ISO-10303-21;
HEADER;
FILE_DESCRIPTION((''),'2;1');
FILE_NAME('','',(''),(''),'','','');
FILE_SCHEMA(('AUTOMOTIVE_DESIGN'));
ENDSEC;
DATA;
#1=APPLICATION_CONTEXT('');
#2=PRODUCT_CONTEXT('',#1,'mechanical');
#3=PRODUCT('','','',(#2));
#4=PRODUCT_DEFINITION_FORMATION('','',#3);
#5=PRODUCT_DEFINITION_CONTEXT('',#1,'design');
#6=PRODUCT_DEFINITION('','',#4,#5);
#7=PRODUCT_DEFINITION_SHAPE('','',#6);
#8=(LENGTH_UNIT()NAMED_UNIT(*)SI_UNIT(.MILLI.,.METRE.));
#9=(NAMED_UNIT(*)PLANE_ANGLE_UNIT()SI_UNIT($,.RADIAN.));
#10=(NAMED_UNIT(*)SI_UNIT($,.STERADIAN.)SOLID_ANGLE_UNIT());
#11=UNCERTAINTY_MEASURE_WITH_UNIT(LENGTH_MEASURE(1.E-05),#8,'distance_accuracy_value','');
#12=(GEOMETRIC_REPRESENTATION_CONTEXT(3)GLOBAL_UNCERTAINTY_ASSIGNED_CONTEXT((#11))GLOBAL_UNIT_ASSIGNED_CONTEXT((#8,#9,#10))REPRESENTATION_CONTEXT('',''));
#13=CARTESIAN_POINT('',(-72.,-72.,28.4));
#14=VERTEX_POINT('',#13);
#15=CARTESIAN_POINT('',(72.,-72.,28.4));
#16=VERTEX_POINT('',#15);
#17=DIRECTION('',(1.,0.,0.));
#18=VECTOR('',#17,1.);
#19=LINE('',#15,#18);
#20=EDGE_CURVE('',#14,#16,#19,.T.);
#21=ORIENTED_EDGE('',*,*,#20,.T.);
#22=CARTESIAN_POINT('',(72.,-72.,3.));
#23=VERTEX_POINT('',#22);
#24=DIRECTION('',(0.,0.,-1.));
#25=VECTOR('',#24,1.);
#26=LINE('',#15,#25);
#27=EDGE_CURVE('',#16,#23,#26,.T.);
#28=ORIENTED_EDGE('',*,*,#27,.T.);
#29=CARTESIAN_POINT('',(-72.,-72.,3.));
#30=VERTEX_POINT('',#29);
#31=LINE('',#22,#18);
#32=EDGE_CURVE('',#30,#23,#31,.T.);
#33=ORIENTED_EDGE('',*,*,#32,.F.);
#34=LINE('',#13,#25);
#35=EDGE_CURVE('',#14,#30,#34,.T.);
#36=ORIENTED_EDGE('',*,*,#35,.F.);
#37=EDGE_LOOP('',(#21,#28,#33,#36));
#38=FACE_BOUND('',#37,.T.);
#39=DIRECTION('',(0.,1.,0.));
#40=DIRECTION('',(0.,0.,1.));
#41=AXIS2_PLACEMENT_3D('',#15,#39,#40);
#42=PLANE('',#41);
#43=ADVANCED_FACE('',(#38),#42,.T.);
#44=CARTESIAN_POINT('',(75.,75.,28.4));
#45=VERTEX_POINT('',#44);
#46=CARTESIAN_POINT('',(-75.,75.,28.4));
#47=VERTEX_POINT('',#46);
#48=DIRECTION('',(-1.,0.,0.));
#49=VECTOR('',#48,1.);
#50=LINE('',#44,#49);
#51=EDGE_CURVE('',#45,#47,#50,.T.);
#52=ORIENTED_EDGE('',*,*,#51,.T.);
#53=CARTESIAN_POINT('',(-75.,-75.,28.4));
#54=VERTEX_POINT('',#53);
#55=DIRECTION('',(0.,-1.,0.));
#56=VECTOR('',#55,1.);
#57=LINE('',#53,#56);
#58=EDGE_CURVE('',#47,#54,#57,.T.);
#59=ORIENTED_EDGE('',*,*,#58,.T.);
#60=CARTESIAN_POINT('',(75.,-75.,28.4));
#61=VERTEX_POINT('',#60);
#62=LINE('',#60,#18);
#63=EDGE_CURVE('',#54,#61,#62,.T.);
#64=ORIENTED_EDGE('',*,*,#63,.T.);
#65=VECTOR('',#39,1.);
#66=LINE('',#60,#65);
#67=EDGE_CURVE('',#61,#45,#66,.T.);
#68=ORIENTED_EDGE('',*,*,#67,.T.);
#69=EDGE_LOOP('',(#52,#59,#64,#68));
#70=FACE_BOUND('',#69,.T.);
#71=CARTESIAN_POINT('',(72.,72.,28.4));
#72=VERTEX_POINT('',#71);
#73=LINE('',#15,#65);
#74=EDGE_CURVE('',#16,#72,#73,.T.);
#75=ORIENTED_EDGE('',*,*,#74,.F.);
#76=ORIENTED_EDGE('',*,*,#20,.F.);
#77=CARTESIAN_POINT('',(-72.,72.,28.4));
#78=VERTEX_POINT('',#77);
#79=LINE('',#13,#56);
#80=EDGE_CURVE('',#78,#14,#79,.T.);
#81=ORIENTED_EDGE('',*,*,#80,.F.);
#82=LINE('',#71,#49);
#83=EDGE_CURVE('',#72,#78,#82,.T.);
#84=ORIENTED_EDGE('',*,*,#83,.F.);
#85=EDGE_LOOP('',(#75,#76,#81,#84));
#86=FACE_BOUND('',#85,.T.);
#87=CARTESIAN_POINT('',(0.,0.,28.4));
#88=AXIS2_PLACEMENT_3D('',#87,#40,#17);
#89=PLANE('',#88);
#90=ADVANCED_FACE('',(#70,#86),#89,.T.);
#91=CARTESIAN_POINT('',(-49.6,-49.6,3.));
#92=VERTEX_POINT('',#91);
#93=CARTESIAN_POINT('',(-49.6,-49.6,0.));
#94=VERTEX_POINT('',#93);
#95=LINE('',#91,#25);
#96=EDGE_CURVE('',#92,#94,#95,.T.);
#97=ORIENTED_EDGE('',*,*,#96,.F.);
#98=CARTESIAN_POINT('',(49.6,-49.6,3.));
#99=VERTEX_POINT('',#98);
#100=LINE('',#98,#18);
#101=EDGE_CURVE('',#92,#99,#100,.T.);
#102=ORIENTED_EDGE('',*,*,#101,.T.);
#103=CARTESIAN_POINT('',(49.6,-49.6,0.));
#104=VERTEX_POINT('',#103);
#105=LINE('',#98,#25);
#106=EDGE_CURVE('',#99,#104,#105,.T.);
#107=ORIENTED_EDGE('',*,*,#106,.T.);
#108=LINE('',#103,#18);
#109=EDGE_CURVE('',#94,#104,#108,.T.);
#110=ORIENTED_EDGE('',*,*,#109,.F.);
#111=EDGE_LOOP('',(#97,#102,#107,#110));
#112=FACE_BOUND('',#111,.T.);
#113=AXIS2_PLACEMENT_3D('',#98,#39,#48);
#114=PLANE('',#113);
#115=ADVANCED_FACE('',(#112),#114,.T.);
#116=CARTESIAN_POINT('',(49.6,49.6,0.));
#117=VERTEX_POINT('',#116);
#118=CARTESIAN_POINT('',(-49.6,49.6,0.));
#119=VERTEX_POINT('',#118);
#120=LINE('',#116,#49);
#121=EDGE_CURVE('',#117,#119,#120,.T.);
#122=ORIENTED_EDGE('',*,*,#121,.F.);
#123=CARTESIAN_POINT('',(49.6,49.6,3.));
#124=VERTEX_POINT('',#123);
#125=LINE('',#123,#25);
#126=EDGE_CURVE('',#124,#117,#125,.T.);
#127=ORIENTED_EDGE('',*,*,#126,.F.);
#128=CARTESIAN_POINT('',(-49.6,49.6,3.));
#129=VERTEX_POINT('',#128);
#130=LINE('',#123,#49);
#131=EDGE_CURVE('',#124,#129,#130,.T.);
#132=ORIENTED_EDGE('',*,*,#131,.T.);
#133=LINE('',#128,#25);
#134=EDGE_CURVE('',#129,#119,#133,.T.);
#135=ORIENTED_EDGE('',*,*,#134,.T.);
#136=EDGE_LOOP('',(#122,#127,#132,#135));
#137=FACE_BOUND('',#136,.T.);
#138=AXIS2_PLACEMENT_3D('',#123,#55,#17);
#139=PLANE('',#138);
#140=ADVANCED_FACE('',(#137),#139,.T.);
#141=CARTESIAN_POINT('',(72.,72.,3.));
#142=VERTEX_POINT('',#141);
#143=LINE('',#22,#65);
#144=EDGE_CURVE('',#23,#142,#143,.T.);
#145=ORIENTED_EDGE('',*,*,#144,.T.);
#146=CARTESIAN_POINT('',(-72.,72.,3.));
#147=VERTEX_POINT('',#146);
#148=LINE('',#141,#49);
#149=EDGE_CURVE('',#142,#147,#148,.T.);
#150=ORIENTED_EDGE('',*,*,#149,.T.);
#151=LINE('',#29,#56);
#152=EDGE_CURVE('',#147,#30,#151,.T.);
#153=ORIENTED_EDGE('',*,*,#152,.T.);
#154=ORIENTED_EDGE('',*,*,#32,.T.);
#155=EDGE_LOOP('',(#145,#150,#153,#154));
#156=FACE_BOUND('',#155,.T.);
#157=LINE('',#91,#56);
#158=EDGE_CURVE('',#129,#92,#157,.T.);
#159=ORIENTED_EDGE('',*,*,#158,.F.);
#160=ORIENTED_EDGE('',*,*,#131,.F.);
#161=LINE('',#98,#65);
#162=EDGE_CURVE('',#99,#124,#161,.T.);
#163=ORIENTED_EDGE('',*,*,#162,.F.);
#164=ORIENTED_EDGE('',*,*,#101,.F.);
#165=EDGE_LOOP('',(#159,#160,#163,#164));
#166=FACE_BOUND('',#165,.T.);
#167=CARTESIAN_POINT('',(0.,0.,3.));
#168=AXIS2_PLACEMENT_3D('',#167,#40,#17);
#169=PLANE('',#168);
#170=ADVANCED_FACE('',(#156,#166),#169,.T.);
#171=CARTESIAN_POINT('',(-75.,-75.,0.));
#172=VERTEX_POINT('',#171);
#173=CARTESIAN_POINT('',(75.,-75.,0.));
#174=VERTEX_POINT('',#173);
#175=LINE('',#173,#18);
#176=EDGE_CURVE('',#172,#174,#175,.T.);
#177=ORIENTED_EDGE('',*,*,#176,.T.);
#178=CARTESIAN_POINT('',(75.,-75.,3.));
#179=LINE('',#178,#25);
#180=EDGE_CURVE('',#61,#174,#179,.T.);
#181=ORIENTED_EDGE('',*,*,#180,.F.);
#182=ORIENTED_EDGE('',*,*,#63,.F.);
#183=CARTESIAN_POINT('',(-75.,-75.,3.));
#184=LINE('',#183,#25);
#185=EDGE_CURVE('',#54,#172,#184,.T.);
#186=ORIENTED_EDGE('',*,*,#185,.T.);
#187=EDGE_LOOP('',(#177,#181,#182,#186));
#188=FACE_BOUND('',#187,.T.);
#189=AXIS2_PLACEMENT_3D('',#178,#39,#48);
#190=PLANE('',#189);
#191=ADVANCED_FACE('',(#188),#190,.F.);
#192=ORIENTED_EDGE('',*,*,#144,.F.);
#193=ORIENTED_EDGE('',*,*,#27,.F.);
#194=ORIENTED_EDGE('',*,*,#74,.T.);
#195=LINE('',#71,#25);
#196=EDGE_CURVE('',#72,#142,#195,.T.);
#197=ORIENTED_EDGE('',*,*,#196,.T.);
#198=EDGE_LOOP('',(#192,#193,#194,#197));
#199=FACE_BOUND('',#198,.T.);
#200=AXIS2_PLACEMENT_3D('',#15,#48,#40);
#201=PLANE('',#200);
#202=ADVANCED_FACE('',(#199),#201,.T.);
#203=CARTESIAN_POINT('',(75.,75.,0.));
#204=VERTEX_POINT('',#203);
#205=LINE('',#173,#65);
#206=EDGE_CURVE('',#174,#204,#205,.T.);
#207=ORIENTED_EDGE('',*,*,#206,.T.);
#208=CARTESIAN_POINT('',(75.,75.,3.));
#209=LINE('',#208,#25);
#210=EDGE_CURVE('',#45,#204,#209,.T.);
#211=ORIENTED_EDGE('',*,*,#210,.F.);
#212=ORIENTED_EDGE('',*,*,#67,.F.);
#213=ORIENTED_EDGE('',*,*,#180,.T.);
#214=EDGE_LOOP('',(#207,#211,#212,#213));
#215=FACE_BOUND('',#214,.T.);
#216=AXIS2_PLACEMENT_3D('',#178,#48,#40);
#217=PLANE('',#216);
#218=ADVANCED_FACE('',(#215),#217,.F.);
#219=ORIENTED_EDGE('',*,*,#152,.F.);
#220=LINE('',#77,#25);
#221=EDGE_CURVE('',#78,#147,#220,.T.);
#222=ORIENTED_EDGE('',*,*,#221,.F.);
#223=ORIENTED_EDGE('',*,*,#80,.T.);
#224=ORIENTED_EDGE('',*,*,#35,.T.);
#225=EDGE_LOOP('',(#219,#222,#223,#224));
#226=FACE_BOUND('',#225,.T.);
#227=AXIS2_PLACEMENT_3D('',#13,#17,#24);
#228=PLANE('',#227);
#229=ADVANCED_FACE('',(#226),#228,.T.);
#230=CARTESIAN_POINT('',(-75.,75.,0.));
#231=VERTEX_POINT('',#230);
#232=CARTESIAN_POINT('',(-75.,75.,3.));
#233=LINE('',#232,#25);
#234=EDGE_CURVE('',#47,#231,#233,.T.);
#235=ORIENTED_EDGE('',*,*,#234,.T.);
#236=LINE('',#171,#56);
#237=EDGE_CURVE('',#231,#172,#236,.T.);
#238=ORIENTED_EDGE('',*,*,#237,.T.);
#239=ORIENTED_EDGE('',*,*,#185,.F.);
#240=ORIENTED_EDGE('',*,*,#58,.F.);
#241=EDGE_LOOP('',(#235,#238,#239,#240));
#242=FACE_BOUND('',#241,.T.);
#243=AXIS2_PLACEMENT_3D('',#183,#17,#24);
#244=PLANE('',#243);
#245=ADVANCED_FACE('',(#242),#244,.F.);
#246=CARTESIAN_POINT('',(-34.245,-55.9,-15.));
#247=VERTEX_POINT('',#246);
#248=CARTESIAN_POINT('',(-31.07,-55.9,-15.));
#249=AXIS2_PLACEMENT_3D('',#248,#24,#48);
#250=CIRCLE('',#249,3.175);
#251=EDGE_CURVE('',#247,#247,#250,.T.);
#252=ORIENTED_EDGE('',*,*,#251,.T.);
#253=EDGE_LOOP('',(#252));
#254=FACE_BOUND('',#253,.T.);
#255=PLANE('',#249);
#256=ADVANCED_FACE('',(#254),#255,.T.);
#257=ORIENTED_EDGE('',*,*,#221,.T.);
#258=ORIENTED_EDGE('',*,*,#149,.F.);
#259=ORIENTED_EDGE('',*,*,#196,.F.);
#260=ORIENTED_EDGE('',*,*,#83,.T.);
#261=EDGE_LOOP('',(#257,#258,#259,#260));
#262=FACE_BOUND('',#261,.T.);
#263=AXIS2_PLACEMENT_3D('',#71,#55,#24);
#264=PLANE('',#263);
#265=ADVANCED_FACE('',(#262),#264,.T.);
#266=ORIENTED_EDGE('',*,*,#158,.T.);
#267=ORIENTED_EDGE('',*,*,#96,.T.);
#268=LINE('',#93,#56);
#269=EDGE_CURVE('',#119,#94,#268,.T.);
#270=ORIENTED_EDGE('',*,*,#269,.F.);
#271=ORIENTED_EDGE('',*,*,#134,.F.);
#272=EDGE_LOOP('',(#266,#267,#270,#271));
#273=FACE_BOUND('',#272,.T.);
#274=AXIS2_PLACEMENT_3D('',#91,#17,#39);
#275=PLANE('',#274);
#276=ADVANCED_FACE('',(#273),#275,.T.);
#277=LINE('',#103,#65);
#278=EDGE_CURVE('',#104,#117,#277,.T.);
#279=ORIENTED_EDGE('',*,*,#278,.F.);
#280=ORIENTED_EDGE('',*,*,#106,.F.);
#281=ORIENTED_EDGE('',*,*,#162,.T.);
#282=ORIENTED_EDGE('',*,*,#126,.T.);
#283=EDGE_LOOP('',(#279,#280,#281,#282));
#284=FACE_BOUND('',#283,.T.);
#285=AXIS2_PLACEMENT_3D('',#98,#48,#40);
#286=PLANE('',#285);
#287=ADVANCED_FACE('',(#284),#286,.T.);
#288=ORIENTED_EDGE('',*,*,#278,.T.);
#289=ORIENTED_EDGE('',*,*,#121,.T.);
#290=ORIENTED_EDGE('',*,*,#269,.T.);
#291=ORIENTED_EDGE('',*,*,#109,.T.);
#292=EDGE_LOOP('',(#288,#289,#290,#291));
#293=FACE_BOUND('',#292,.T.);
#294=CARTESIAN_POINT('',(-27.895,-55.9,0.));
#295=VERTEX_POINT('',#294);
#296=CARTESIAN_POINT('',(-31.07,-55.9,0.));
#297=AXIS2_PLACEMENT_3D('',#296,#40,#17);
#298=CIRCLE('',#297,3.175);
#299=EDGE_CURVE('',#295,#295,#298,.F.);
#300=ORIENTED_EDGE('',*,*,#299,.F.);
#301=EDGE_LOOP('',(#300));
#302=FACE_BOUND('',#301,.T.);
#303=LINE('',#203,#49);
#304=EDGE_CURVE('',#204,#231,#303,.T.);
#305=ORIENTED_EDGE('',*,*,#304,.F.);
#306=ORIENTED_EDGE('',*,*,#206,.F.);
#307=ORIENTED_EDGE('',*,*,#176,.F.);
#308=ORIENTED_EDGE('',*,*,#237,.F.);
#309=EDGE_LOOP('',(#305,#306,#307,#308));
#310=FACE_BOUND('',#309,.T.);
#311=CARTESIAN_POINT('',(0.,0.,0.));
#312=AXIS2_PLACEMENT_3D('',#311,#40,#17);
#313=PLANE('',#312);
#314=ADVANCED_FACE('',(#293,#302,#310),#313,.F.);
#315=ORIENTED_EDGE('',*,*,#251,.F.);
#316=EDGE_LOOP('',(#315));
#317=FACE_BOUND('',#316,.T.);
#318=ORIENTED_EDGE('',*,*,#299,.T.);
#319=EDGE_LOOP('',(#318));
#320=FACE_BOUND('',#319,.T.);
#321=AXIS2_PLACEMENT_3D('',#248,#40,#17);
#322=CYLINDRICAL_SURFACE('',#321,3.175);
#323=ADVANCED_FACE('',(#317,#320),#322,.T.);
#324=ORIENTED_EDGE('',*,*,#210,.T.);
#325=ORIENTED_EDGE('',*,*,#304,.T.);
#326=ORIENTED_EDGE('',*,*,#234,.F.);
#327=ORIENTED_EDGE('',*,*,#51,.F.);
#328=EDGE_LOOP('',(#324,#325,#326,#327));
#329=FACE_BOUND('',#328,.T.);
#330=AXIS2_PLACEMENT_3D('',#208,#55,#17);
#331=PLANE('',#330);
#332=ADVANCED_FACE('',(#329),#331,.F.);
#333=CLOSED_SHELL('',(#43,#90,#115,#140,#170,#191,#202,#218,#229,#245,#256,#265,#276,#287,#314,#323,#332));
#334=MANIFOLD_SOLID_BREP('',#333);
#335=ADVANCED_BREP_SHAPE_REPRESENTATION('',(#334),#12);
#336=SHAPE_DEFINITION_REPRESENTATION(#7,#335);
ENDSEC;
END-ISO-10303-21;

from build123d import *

# Parameters (mm, degrees)
CROQUIS2_W              = 150
CROQUIS2_H              = 150
CROQUIS2_W_2            = 99.2
CROQUIS2_H_2            = 99.2
SALIENTE_EXTRUIR1_DEPTH = 3
CROQUIS5_W              = 150
CROQUIS5_H              = 150
CROQUIS5_W_2            = 144
CROQUIS5_H_2            = 144
SALIENTE_EXTRUIR2_DEPTH = 25.4
CROQUIS6_R              = 3.175
SALIENTE_EXTRUIR3_DEPTH = 15


with BuildPart() as part:
    # Croquis2 → Saliente-Extruir1 (new body)
    with BuildSketch(Plane.XY):
        Rectangle(CROQUIS2_W, CROQUIS2_H)
        Rectangle(CROQUIS2_W_2, CROQUIS2_H_2, mode=Mode.SUBTRACT)
    extrude(amount=SALIENTE_EXTRUIR1_DEPTH)

    # Croquis5 → Saliente-Extruir2 (add)
    with BuildSketch(Plane.XY.offset(3)):
        Rectangle(CROQUIS5_W, CROQUIS5_H)
        Rectangle(CROQUIS5_W_2, CROQUIS5_H_2, mode=Mode.SUBTRACT)
    extrude(amount=SALIENTE_EXTRUIR2_DEPTH)

    # Croquis6 → Saliente-Extruir3 (add)
    with BuildSketch(Plane(origin=(0, 0, 0), x_dir=(-1, 0, 0), z_dir=(0, 0, -1))):
        with Locations(Location((31.07, -55.9, 0), (0, 0, 180))):
            Circle(CROQUIS6_R)
    extrude(amount=SALIENTE_EXTRUIR3_DEPTH)


solid = part.part
